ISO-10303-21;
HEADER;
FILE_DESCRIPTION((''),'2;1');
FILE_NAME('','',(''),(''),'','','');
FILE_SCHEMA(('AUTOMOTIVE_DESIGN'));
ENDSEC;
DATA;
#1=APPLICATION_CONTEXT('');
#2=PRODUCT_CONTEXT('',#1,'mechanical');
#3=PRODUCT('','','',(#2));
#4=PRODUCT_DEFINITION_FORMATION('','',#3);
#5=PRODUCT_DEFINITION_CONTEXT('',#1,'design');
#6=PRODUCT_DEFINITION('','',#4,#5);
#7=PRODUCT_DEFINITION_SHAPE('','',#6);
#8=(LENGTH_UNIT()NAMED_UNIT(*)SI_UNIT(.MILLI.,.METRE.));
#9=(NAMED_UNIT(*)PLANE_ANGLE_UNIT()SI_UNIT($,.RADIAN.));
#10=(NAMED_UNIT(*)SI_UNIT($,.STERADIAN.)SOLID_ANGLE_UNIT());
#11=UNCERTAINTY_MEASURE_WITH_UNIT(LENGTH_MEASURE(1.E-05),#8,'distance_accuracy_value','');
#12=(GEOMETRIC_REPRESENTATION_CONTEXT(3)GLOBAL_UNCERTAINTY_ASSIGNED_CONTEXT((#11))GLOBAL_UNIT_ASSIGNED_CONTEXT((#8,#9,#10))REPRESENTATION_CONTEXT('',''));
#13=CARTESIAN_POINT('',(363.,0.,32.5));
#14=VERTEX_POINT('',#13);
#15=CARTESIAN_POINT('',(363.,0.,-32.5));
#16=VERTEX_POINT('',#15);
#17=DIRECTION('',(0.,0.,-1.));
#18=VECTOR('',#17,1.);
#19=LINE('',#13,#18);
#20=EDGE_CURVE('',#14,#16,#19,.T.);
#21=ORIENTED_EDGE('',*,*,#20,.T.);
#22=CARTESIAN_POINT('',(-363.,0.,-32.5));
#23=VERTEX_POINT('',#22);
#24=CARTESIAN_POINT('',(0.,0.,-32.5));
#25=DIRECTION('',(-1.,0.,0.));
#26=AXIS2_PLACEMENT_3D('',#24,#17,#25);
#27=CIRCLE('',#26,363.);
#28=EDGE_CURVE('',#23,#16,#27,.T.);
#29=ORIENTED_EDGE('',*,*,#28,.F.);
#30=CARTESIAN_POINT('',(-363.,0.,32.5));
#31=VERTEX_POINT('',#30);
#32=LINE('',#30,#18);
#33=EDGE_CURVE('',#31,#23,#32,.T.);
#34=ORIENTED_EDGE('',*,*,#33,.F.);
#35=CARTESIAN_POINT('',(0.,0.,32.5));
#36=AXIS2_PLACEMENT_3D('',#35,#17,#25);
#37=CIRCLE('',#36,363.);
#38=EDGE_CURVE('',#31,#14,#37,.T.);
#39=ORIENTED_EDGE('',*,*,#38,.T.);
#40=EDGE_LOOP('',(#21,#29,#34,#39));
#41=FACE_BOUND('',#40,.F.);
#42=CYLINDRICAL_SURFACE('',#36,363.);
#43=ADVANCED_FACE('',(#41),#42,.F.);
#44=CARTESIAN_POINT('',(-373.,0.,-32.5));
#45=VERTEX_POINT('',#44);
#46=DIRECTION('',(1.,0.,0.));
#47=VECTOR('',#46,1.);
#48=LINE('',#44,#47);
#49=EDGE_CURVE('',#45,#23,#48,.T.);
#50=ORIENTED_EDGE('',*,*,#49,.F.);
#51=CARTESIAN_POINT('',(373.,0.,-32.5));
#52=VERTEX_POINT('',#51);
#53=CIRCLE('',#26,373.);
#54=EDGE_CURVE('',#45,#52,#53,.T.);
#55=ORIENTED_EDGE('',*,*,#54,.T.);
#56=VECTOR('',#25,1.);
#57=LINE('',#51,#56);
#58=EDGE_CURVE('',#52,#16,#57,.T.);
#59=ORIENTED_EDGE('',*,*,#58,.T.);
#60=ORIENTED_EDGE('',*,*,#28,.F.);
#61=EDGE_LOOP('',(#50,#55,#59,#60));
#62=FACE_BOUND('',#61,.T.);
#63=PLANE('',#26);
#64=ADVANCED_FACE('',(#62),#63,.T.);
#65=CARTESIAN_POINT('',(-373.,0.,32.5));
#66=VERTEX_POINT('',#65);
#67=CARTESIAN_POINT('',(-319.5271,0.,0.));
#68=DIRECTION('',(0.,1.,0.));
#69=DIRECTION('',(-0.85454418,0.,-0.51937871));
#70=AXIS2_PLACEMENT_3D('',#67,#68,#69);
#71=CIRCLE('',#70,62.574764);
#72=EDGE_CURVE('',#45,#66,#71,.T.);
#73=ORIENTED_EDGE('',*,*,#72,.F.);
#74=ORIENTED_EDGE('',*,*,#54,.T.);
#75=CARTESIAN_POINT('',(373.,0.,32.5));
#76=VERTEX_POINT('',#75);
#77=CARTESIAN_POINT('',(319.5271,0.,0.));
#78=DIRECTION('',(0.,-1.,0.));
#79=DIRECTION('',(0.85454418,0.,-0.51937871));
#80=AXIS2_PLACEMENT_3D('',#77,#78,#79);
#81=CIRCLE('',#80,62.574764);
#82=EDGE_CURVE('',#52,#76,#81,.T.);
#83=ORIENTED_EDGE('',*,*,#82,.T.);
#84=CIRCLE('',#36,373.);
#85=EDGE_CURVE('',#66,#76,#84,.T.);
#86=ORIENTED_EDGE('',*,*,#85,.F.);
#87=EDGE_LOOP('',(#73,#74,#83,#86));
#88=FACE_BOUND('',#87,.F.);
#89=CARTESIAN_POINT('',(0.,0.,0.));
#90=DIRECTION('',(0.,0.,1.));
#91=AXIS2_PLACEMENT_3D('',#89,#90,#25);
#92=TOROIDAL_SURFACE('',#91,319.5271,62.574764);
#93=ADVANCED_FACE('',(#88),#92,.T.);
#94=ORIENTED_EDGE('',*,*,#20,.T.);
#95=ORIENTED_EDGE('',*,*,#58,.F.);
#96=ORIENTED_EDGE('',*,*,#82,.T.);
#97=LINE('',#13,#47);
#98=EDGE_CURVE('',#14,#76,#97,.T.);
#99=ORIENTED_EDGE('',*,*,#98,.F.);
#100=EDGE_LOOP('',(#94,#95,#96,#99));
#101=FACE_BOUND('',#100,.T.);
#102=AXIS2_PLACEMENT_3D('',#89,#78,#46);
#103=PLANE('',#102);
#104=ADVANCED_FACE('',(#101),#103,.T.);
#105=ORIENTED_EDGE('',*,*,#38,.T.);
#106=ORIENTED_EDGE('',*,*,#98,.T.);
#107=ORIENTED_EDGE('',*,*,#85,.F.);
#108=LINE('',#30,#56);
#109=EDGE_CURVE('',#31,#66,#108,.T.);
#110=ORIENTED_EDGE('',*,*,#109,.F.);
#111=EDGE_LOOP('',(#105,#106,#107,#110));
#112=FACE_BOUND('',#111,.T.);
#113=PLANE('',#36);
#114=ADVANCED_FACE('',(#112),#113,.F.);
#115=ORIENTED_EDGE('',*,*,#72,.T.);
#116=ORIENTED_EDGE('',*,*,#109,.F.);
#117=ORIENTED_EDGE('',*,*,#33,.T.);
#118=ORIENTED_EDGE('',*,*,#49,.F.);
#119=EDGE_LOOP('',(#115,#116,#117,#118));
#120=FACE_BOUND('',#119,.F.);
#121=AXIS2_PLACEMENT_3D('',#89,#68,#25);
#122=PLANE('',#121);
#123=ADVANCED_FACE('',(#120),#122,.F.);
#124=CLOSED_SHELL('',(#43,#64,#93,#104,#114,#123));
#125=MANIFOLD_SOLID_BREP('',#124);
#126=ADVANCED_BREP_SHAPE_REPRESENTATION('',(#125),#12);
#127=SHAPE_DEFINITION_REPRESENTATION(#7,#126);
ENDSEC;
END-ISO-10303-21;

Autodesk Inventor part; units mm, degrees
ref_plane "YZ Plane" through (0, 0, 0) normal (1, 0, 0) x (0, 1, 0)
ref_plane "XZ Plane" through (0, 0, 0) normal (0, 1, 0) x (-1, 0, 0)
ref_plane "XY Plane" through (0, 0, 0) normal (0, 0, 1) x (1, 0, 0)
sketch "Sketch1" plane through (0, 0, 0) normal (0, 1, 0) x (-1, 0, 0)
  line L0 (363, 32.5) -> (373, 32.5)
  line L1 (373, -32.5) -> (363, -32.5)
  arc A0 (373, -32.5) -> (373, 32.5) centre (319.5271, 0) ccw
  line L2 (363, 32.5) -> (363, -32.5)
  line L3 (0, 120.71) -> (0, -172.3479)
  point P0 (0, 0)
  dimension "d0" = 10
  dimension "d1" = 65
  dimension "d2" = 10
  dimension "d6" = 32.5
  dimension "d8" = 363
revolve "Revolution1" add sketch "Sketch1" angle 180 about axis through (0, 0, 120.71) along (0, 0, -1)
properties part number "fender"
